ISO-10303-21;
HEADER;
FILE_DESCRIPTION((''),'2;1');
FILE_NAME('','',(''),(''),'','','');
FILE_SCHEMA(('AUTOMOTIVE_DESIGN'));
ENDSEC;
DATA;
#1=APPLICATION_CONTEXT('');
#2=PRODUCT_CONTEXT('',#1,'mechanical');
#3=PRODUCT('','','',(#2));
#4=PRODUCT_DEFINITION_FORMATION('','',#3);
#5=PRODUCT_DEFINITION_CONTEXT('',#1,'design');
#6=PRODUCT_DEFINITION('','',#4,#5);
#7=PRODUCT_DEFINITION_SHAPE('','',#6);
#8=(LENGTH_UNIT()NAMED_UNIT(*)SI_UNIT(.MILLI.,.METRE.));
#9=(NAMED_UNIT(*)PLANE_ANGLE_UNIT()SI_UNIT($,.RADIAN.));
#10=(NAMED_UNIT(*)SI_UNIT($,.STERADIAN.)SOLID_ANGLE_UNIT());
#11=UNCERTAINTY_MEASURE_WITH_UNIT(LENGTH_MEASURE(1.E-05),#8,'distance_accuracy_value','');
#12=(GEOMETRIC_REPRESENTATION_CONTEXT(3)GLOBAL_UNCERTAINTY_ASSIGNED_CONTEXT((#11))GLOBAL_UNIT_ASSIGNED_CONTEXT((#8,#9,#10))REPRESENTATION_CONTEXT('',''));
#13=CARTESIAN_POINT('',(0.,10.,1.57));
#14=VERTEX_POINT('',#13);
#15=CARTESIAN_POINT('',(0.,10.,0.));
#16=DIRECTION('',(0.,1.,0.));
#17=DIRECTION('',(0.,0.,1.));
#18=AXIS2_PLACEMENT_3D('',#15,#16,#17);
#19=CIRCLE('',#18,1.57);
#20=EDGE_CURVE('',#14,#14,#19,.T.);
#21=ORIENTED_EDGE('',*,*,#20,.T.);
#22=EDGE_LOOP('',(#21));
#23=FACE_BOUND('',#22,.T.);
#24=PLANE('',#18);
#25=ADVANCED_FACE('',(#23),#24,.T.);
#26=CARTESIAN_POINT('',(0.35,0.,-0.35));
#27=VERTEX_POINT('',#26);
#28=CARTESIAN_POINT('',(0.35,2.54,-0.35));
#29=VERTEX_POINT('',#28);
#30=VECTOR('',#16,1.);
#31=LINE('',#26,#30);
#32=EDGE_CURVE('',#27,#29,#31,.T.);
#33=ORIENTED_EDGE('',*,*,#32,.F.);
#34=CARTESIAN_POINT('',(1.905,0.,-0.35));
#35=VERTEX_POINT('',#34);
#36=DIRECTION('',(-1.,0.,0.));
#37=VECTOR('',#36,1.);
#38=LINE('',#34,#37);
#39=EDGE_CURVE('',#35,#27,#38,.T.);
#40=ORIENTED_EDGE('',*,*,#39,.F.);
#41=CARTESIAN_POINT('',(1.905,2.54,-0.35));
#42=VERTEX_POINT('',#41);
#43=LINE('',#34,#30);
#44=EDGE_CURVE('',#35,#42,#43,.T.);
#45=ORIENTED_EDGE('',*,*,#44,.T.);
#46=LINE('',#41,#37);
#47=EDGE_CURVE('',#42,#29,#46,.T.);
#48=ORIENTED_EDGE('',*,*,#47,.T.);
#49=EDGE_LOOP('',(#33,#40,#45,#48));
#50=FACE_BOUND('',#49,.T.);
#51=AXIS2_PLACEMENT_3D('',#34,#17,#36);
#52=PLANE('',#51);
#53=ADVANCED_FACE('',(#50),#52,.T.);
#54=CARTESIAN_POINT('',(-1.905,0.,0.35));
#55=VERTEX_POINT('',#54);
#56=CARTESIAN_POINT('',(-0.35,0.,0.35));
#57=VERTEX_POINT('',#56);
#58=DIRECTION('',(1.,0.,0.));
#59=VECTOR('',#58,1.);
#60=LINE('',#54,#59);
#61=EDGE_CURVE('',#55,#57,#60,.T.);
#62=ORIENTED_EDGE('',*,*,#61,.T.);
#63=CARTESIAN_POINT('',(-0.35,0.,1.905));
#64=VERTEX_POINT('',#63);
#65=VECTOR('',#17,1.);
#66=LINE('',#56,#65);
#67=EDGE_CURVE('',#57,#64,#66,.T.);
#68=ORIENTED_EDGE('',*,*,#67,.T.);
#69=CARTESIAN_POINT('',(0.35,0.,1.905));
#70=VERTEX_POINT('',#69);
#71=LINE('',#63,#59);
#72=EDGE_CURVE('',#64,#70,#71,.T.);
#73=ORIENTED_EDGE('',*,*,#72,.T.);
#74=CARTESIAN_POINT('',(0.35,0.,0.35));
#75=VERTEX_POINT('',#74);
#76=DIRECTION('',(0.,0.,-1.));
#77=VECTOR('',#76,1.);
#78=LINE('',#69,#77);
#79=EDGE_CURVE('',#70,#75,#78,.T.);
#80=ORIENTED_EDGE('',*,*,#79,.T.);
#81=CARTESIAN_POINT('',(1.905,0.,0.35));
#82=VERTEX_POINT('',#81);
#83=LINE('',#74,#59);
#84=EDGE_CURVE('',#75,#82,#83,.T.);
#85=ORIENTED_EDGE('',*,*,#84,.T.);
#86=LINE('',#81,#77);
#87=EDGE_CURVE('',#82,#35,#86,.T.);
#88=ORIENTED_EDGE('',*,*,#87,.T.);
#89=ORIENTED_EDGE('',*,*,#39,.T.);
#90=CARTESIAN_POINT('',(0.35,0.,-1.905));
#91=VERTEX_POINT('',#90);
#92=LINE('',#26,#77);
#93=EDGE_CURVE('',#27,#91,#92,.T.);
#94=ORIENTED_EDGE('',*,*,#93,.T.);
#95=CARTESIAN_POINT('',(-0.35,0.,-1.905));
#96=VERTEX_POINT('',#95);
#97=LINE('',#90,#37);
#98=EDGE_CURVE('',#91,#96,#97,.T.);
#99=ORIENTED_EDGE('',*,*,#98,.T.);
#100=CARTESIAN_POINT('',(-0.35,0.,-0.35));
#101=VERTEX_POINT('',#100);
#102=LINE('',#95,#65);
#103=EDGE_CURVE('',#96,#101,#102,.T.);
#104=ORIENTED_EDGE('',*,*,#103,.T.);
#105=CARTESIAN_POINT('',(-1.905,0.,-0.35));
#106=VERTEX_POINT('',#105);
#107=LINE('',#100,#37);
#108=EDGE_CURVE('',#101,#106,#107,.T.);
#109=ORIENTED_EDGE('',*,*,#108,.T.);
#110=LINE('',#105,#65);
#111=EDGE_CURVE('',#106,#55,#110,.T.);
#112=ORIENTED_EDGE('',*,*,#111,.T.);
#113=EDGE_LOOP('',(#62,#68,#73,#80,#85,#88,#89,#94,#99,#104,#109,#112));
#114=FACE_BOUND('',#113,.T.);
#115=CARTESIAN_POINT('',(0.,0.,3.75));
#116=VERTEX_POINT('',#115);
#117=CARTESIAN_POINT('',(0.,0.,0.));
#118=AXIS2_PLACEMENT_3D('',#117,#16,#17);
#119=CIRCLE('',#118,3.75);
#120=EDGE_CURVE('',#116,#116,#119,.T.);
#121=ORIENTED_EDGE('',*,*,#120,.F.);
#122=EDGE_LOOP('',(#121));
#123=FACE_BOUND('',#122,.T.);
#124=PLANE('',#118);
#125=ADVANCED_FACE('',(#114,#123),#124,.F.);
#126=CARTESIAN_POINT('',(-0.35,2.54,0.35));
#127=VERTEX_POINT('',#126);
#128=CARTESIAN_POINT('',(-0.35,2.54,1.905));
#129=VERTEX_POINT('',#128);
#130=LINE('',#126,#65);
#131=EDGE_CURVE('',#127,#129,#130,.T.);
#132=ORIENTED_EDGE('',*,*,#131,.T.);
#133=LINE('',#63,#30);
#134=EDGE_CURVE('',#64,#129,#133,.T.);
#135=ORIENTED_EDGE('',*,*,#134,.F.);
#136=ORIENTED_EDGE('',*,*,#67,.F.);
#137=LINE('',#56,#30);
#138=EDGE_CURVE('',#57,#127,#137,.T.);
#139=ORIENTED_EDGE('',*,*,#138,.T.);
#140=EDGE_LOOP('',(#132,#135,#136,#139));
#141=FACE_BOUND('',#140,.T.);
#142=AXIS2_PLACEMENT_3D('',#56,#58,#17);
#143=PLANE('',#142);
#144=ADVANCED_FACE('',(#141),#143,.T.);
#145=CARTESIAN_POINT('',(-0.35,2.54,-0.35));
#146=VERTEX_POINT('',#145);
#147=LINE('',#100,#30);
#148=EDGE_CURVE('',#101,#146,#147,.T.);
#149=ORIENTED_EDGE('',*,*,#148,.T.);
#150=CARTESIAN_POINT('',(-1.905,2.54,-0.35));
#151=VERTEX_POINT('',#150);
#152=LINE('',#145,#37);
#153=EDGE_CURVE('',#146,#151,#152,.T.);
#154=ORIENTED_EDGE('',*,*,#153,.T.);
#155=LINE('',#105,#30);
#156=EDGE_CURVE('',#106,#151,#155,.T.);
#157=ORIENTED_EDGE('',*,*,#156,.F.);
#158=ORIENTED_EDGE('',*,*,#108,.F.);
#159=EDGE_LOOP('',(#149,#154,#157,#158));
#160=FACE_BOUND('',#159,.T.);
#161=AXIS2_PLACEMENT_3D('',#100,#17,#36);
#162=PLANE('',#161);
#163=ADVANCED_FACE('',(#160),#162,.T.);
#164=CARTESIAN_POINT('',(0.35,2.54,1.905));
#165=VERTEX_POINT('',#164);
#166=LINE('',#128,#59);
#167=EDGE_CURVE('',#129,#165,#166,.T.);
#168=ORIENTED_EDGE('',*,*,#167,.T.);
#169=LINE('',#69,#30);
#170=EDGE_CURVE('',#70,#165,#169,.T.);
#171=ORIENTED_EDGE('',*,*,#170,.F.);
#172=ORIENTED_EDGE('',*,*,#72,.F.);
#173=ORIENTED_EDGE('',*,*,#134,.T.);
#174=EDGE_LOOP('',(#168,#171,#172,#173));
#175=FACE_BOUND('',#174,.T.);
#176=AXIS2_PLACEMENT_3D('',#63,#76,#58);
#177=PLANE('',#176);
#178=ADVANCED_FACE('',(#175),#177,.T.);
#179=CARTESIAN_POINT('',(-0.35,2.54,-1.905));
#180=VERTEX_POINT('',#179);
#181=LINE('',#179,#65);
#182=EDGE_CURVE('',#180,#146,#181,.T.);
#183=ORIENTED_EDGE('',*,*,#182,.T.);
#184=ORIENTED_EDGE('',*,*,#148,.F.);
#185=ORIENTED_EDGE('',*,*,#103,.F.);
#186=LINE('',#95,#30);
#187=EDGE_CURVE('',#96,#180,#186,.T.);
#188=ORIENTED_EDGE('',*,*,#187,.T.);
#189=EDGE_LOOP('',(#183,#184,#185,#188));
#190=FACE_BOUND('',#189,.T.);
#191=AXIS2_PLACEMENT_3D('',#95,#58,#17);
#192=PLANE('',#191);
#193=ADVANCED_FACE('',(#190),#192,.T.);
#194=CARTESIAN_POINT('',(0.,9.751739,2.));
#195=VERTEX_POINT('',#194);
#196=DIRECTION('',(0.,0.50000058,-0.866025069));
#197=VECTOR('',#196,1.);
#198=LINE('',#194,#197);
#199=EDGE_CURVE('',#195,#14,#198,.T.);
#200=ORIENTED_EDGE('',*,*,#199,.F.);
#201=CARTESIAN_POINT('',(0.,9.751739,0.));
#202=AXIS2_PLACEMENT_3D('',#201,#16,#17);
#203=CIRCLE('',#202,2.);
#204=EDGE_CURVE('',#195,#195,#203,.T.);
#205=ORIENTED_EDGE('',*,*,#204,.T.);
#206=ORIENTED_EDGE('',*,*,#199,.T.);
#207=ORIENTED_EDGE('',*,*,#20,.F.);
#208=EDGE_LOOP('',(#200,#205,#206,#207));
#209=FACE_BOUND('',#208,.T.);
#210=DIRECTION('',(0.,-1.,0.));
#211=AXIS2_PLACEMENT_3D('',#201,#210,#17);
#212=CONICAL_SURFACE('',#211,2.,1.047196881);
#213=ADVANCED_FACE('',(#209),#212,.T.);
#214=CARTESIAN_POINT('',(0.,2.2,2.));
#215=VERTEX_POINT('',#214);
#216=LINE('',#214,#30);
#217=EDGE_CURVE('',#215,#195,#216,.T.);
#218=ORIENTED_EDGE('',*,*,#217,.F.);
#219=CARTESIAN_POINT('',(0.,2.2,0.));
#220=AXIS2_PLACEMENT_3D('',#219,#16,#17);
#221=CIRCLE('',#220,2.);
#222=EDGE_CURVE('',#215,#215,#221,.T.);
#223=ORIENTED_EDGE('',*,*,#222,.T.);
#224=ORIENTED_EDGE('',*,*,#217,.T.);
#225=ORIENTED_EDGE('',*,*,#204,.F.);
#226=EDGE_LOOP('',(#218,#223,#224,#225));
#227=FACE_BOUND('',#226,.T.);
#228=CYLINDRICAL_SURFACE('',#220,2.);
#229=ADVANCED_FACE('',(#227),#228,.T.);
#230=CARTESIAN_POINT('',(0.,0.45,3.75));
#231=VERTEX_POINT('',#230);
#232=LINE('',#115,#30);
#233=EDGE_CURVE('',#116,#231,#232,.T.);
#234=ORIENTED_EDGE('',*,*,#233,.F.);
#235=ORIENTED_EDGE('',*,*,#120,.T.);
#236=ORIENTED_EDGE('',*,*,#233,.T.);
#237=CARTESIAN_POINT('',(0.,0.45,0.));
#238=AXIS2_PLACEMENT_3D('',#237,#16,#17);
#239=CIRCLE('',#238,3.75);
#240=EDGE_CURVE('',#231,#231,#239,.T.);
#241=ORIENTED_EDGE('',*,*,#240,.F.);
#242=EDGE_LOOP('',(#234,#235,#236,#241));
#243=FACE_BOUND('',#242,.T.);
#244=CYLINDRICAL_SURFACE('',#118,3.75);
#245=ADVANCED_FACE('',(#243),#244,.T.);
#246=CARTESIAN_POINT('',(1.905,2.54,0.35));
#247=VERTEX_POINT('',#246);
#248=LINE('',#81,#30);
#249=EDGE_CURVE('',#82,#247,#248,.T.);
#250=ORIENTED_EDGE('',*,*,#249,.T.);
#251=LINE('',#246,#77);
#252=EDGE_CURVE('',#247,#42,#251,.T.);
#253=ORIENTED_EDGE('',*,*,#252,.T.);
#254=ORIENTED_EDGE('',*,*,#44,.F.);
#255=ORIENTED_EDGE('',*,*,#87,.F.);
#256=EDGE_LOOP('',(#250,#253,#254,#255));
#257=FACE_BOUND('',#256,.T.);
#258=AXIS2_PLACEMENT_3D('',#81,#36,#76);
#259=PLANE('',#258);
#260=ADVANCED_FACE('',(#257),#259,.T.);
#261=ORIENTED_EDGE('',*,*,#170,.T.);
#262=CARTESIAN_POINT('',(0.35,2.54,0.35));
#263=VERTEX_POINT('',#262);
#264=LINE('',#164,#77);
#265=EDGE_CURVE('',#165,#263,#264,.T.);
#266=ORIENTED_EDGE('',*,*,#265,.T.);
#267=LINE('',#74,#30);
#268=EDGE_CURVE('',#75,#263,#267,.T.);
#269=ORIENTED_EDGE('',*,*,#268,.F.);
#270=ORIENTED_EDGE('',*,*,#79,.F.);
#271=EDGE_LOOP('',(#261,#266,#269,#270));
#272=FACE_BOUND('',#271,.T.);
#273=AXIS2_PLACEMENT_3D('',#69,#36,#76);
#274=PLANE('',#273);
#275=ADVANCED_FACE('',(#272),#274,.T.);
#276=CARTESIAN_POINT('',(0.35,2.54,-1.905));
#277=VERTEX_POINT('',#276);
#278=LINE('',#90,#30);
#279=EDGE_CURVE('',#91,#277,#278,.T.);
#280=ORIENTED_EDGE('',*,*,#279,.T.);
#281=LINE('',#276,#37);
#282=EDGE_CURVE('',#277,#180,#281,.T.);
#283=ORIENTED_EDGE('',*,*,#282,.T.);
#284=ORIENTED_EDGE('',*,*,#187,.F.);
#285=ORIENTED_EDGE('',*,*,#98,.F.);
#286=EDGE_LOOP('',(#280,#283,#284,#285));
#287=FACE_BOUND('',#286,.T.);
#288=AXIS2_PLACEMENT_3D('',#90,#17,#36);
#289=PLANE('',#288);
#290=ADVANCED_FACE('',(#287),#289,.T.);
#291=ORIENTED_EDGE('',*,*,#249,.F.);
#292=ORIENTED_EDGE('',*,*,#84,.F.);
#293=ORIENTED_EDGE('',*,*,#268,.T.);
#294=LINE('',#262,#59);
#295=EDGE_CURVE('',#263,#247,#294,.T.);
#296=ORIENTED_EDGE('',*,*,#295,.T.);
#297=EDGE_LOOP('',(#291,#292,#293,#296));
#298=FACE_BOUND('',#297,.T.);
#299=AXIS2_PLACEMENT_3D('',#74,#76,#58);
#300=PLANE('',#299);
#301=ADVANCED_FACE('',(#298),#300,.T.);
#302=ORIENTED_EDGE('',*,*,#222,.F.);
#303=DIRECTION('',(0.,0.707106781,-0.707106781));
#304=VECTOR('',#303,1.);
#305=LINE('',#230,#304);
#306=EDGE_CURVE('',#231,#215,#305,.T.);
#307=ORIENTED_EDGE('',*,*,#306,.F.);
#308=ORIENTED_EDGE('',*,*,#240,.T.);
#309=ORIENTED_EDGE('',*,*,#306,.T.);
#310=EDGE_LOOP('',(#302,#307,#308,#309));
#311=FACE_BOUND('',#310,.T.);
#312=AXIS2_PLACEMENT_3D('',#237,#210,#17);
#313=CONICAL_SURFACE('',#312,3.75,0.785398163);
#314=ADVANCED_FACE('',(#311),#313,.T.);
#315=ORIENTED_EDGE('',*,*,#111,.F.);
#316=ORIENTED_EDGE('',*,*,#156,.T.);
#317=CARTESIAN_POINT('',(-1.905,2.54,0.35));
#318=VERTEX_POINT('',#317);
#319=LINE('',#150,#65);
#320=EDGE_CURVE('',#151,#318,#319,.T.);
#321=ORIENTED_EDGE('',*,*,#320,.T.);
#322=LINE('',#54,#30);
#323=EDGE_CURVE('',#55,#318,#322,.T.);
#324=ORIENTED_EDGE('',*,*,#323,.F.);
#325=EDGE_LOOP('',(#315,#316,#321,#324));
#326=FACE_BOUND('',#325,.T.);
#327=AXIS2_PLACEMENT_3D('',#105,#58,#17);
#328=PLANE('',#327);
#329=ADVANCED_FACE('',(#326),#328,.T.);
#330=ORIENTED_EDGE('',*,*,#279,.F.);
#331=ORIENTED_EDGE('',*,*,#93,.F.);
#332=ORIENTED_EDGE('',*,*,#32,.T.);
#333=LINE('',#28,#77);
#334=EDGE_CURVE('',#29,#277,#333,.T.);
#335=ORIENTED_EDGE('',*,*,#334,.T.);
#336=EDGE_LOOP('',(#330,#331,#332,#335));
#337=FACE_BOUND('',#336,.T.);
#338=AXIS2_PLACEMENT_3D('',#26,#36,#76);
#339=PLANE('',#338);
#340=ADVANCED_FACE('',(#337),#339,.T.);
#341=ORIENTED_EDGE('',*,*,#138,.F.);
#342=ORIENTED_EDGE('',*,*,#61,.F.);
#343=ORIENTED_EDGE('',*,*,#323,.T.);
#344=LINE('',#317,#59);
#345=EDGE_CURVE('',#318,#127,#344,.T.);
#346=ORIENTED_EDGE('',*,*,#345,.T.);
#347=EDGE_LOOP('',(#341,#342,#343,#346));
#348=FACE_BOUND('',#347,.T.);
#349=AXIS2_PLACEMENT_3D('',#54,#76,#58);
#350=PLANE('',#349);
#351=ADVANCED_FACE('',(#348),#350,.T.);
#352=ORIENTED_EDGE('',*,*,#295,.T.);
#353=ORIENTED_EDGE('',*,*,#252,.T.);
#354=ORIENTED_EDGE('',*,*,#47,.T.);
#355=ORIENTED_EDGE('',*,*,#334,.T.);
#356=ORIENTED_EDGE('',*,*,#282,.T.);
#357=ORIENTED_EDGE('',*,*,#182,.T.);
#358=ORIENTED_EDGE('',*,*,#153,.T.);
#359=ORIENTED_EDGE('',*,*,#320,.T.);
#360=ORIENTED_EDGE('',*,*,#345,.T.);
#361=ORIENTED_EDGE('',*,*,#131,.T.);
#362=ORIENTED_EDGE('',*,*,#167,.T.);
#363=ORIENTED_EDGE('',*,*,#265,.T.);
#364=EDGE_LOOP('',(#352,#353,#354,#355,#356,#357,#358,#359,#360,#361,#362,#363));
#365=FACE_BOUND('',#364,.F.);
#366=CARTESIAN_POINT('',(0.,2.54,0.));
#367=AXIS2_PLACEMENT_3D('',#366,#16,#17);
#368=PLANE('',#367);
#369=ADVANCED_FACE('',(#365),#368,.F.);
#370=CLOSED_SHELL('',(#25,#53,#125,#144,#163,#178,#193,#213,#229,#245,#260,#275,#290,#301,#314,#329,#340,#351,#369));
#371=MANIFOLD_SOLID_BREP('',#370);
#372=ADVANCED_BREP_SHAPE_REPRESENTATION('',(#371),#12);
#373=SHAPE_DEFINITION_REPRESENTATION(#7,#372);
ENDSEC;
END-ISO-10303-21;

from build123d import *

# Parameters (mm, degrees)
POCKET_DEPTH = 2.54


with BuildPart() as part:
    # Sketch → Revolution (revolve)
    with BuildSketch(Plane.YZ):
        Polygon((0, 0), (0, 3.75), (0.45, 3.75), (2.2, 2), (9.751739, 2), (10, 1.57), (10, 0), align=None)
    revolve(axis=Axis((0, 0, 0), (0, 1, 0)))

    # Sketch001 → Pocket (cut)
    with BuildSketch(Plane(origin=(0, 0, 0), x_dir=(0, 0, -1), z_dir=(0, -1, 0))):
        Polygon((-1.905, 0.35), (-0.35, 0.35), (-0.35, 1.905), (0.35, 1.905), (0.35, 0.35), (1.905, 0.35), (1.905, -0.35), (0.35, -0.35), (0.35, -1.905), (-0.35, -1.905), (-0.35, -0.35), (-1.905, -0.35), align=None)
    extrude(amount=-POCKET_DEPTH, mode=Mode.SUBTRACT)


solid = part.part
